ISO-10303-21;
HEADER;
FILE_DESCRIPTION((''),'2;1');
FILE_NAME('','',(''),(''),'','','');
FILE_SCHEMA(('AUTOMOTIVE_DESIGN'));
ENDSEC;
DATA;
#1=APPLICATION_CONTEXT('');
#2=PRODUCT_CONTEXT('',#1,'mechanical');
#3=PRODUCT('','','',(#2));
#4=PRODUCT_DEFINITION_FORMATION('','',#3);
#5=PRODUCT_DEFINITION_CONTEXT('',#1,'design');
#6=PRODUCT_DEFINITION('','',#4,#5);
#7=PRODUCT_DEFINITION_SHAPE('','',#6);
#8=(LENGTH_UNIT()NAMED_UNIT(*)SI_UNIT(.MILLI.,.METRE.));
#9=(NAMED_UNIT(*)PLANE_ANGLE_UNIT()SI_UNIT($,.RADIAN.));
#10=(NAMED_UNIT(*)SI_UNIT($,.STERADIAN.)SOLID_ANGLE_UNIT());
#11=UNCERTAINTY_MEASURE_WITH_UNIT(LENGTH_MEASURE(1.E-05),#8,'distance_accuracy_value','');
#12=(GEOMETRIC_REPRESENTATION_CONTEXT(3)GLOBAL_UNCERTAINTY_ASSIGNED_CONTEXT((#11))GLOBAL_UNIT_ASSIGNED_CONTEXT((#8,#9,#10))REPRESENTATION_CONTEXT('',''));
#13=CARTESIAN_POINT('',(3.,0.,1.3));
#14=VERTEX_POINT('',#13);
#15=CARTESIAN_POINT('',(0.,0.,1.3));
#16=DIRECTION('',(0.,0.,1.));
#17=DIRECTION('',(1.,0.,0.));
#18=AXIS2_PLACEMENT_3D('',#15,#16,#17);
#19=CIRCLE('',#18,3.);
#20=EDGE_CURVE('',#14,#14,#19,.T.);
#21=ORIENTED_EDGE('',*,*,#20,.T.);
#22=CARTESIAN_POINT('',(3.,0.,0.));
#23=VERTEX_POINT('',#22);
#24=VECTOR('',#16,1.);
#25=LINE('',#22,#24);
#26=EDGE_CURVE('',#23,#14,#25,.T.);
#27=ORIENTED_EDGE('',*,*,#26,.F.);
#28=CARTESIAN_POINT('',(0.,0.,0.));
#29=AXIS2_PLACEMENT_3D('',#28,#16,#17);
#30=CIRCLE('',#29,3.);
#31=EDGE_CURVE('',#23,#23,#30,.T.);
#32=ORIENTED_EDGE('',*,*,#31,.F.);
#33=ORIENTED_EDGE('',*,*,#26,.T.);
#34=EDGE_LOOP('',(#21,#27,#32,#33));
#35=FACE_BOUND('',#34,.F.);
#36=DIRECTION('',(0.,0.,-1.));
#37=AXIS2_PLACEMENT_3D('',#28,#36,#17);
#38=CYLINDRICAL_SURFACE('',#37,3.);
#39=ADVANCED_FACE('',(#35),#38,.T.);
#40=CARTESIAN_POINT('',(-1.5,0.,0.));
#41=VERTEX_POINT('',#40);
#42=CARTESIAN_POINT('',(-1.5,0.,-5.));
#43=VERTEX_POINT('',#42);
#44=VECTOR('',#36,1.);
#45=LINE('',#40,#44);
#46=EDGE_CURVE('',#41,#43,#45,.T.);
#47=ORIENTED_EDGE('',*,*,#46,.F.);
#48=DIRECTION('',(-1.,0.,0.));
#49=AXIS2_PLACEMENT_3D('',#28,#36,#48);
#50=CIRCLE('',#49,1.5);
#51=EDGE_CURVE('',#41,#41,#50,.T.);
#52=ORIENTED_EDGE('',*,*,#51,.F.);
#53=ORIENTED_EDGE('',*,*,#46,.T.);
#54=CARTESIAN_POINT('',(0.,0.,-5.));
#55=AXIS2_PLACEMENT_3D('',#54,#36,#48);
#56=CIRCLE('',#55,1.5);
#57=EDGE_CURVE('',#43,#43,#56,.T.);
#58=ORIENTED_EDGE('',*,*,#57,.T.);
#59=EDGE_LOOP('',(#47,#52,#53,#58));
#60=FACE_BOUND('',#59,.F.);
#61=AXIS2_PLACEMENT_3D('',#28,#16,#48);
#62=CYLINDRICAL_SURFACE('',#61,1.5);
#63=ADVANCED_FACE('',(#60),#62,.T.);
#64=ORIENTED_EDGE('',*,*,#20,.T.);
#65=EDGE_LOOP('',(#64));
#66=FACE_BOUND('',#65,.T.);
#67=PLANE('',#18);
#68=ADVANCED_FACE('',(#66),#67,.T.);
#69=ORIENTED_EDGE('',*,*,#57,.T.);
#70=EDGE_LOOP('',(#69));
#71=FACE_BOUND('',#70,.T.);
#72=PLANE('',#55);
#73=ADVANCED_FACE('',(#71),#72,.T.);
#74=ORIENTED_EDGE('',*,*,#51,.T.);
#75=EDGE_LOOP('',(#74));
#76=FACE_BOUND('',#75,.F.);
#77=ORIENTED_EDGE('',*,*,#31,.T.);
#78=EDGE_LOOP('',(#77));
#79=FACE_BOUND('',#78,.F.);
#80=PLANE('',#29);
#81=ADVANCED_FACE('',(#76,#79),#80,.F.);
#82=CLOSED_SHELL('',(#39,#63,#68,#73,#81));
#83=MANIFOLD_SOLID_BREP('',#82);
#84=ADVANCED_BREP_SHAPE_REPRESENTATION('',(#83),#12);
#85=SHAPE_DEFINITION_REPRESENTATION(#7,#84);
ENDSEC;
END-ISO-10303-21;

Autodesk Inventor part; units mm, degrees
ref_plane "YZ Plane" through (0, 0, 0) normal (1, 0, 0) x (0, 1, 0)
ref_plane "XZ Plane" through (0, 0, 0) normal (0, 1, 0) x (-1, 0, 0)
ref_plane "XY Plane" through (0, 0, 0) normal (0, 0, 1) x (1, 0, 0)
sketch "スケッチ1" plane through (0, 0, 0) normal (0, 0, 1) x (1, 0, 0)
  circle A0 centre (0, 0) radius 3
  dimension "d0" = 6
extrude "押し出し1" add sketch "スケッチ1" along normal blind 1.3
sketch "スケッチ2" plane through (0, 0, 0) normal (0, 0, -1) x (-1, 0, 0)
  circle A0 centre (0, 0) radius 1.5
  dimension "d3" = 3
extrude "押し出し2" add sketch "スケッチ2" along normal blind 5
thread "ねじ1" size "M3x0.5" class "6g" standard "ANSI Metric M Profile" full length
properties part number "低頭ネジ(六角穴)m3,5" material "鋼、高強度、低合金"
